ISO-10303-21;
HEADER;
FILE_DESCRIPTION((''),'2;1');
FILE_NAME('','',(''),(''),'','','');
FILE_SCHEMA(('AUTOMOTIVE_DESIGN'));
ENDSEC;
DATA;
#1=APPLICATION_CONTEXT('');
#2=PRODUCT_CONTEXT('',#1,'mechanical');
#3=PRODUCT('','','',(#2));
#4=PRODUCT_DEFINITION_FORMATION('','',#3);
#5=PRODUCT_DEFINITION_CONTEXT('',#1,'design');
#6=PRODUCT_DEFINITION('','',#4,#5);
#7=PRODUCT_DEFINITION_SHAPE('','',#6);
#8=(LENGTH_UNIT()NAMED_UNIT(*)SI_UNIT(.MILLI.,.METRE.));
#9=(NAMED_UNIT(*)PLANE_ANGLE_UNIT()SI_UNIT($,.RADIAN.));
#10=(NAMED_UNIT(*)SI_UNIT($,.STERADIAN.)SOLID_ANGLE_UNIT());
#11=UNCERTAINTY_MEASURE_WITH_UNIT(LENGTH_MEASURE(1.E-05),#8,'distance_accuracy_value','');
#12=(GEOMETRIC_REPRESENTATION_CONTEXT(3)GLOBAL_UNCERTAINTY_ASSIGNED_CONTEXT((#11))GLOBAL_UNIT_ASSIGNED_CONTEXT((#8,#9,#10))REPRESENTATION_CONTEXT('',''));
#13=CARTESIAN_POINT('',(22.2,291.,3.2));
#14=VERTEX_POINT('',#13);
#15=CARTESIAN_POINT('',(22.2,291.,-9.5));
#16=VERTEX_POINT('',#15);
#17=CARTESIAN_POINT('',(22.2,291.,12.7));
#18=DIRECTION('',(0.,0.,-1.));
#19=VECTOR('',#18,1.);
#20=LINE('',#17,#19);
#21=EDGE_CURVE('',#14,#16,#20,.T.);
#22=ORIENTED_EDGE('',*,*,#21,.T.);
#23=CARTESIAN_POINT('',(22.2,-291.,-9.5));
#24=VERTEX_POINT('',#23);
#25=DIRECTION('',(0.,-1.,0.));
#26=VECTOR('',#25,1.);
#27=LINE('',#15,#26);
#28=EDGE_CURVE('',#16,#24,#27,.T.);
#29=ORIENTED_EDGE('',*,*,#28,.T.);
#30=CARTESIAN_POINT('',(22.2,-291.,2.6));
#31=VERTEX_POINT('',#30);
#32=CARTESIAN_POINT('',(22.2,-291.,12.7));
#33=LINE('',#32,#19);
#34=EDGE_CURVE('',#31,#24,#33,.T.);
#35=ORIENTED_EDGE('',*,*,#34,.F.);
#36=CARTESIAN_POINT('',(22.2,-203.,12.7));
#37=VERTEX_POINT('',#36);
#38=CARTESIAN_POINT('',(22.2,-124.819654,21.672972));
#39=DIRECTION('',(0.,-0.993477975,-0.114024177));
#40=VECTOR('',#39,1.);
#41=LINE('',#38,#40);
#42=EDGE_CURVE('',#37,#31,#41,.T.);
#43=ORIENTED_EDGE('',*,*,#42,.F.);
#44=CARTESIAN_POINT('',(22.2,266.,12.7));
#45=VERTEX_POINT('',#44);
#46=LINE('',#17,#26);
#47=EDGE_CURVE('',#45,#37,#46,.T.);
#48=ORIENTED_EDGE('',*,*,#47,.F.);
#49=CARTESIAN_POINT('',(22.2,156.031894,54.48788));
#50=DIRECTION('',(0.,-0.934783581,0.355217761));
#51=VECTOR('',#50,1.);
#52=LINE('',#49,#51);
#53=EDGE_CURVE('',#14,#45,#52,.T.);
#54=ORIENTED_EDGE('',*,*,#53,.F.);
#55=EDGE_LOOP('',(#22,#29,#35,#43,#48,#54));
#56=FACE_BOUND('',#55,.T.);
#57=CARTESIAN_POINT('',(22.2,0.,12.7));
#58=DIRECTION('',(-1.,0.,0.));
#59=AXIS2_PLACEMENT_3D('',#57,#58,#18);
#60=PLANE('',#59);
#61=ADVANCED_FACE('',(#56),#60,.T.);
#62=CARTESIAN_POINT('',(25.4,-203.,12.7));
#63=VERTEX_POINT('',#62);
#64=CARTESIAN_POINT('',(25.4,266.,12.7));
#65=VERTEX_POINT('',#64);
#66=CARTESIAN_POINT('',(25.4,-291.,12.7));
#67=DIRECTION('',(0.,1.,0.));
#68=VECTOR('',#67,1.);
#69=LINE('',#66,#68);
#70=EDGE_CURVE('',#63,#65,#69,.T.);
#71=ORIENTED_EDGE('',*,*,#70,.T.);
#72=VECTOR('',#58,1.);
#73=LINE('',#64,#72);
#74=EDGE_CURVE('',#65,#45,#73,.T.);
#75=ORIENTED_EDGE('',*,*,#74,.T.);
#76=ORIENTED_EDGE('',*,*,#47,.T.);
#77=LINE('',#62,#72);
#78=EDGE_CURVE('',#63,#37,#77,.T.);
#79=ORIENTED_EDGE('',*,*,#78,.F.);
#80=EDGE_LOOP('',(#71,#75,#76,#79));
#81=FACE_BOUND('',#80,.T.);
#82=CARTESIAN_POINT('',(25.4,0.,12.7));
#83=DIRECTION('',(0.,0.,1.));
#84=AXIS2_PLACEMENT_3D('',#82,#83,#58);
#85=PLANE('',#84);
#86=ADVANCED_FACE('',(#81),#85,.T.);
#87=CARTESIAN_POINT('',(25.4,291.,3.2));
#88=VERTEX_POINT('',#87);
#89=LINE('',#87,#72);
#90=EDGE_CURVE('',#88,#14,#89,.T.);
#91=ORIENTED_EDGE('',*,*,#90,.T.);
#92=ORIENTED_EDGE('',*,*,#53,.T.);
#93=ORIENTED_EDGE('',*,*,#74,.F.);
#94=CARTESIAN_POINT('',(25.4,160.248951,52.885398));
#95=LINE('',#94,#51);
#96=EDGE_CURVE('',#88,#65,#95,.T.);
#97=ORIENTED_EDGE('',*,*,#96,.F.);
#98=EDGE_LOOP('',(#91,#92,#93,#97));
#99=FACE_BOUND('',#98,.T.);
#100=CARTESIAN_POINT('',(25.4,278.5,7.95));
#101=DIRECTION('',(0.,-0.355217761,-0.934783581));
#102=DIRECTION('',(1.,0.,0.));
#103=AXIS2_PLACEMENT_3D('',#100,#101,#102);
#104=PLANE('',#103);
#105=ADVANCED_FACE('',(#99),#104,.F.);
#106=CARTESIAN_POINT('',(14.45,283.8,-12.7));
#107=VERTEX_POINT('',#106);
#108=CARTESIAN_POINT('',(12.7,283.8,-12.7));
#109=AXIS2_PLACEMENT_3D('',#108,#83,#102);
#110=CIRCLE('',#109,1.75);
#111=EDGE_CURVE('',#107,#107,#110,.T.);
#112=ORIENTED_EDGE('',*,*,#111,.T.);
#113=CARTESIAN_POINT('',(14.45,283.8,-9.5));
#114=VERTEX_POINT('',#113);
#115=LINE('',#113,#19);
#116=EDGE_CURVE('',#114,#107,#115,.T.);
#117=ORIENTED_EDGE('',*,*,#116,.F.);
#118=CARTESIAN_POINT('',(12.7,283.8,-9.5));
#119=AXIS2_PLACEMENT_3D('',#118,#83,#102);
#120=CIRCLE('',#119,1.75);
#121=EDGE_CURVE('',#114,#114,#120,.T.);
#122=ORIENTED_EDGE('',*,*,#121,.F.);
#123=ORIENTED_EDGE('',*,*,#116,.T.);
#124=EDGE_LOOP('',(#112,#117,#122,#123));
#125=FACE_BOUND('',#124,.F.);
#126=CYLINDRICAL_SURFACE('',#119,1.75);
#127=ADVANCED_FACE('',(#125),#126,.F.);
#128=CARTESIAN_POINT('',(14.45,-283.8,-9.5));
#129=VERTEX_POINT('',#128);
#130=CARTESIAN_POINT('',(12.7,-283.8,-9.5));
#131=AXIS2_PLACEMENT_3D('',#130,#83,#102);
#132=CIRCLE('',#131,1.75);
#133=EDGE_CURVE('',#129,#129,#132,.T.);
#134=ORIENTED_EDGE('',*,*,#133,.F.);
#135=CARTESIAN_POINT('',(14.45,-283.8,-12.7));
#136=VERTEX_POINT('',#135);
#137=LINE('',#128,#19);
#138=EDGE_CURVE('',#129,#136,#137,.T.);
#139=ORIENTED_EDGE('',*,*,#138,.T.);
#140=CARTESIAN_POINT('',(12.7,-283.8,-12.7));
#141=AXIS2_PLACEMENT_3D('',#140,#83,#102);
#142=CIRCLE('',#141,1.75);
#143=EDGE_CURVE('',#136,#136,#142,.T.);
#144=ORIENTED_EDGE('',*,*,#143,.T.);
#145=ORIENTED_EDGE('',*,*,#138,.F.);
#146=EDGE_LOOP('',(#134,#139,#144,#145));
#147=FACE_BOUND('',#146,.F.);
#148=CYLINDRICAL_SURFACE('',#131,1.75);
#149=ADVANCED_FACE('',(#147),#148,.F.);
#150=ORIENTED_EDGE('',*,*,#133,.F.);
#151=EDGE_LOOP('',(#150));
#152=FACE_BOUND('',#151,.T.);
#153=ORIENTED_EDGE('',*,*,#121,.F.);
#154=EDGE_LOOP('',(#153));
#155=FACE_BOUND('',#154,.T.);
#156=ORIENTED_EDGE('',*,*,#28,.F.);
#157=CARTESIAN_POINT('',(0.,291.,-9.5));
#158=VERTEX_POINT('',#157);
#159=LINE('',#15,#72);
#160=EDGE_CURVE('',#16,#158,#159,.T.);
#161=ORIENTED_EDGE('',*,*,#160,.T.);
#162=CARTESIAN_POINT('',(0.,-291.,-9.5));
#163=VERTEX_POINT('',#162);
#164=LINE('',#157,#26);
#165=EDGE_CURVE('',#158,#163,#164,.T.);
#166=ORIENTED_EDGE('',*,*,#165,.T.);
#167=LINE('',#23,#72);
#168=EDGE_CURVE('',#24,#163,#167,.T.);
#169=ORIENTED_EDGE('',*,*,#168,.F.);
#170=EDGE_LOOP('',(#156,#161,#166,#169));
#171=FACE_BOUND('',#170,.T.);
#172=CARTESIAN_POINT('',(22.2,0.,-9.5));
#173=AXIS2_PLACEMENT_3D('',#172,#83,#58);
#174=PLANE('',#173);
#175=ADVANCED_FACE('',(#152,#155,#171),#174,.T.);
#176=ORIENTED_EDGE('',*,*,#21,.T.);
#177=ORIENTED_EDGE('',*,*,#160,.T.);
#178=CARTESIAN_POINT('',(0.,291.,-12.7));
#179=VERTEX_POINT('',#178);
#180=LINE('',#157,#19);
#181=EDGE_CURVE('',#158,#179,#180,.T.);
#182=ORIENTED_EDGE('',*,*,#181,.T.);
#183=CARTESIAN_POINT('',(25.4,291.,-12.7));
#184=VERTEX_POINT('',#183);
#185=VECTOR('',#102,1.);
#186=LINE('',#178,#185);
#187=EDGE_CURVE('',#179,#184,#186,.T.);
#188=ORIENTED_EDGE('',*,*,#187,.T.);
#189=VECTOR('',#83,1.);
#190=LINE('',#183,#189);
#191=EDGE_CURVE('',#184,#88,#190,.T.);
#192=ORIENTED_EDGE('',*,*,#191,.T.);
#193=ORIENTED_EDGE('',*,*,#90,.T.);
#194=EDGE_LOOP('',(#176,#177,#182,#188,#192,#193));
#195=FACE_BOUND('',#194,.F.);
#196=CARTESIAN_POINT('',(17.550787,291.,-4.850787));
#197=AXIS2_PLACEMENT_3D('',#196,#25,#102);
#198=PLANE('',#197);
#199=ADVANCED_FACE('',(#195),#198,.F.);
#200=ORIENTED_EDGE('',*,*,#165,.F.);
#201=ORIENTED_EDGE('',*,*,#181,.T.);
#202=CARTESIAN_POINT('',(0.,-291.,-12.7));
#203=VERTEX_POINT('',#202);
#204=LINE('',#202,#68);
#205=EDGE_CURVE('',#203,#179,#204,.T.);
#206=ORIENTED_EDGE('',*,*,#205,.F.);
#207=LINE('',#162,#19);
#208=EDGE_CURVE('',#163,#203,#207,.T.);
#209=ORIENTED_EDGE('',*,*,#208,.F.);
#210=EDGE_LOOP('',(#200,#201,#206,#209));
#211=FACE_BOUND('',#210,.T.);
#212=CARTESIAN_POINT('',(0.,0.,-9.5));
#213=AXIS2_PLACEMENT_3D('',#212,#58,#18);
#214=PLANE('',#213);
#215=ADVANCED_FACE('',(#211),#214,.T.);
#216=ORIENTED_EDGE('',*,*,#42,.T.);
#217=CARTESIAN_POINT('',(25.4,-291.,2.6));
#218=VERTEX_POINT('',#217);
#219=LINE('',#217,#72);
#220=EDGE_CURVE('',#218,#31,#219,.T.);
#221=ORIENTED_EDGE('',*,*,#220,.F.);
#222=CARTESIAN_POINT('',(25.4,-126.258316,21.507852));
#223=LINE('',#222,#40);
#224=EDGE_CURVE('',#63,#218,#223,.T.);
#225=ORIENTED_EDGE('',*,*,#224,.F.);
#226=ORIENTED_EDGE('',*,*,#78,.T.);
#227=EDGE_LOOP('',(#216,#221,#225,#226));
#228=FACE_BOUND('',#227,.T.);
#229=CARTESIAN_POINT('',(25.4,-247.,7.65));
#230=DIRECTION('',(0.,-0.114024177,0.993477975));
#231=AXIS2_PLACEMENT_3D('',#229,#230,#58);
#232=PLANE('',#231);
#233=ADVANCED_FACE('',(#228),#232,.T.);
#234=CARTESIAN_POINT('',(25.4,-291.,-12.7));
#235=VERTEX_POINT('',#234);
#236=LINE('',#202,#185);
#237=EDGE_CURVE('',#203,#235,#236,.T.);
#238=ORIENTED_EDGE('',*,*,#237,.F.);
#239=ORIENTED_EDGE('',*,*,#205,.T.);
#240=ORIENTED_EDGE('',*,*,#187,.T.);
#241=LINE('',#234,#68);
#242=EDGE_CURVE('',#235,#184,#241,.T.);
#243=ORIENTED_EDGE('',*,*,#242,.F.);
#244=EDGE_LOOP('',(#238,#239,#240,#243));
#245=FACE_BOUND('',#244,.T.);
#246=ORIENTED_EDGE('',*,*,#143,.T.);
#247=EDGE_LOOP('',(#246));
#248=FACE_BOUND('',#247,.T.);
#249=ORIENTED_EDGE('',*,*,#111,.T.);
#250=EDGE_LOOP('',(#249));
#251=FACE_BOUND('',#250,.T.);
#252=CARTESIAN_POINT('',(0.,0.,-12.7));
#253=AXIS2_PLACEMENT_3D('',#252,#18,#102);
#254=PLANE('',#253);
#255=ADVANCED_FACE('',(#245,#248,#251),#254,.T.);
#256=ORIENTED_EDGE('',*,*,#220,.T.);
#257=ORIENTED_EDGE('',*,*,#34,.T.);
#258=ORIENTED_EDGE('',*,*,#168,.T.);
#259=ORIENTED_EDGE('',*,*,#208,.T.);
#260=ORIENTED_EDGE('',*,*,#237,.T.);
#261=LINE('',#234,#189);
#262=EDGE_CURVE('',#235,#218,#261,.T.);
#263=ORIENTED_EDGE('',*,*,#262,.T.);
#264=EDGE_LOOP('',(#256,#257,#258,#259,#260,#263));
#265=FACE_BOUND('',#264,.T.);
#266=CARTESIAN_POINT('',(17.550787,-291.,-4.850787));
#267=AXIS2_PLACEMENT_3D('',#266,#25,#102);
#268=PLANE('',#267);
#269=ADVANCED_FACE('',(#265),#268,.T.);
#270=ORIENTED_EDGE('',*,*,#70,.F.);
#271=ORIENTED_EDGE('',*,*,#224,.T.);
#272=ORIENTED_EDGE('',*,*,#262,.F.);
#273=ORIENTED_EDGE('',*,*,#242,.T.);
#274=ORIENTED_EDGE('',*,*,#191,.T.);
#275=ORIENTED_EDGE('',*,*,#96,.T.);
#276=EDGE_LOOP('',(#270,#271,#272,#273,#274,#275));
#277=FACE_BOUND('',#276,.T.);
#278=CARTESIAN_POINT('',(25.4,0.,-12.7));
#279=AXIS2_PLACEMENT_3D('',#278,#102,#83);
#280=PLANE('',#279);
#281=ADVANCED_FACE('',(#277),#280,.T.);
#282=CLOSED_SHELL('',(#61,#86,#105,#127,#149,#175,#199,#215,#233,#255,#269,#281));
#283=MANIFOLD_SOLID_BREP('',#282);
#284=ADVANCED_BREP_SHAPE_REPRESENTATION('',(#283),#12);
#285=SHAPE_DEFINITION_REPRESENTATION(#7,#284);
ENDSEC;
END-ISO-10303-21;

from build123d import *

# Parameters (mm, degrees)
F1_DEPTH = 291
F3_SIZE2 = 25
F3_SIZE  = 9.5
F4_SIZE2 = 10.1
F4_SIZE  = 88
F6_R     = 1.75
F7_DEPTH = 3.2


with BuildPart() as f1:
    # F0 (on Front) → F1 (new body, symmetric)
    with BuildSketch(Plane.XZ):
        Polygon((25.4, 12.7), (22.2, 12.7), (22.2, -9.5), (0, -9.5), (0, -12.7), (25.4, -12.7), align=None)
    extrude(amount=F1_DEPTH, both=True)

    # F3
    f3_edges = [f1.edges().sort_by_distance(p)[0] for p in [
        (23.8, 291, 12.7),
    ]]
    f3_side = f1.faces().sort_by_distance((23.8, 291, 12.34079))[0]
    chamfer(f3_edges, length=F3_SIZE, length2=F3_SIZE2, reference=f3_side)

    # F4
    f4_edges = [f1.edges().sort_by_distance(p)[0] for p in [
        (23.8, -291, 12.7),
    ]]
    f4_side = f1.faces().sort_by_distance((23.8, -12.5, 12.7))[0]
    chamfer(f4_edges, length=F4_SIZE, length2=F4_SIZE2, reference=f4_side)

    # F6 (on face) → F7 (cut, through all)
    with BuildSketch(Plane.XY.offset(-9.5)):
        with Locations((12.7, -283.8)):
            Circle(F6_R)
        with Locations((12.7, 283.8)):
            Circle(F6_R)
    extrude(amount=-F7_DEPTH, mode=Mode.SUBTRACT)


solid = f1.part
